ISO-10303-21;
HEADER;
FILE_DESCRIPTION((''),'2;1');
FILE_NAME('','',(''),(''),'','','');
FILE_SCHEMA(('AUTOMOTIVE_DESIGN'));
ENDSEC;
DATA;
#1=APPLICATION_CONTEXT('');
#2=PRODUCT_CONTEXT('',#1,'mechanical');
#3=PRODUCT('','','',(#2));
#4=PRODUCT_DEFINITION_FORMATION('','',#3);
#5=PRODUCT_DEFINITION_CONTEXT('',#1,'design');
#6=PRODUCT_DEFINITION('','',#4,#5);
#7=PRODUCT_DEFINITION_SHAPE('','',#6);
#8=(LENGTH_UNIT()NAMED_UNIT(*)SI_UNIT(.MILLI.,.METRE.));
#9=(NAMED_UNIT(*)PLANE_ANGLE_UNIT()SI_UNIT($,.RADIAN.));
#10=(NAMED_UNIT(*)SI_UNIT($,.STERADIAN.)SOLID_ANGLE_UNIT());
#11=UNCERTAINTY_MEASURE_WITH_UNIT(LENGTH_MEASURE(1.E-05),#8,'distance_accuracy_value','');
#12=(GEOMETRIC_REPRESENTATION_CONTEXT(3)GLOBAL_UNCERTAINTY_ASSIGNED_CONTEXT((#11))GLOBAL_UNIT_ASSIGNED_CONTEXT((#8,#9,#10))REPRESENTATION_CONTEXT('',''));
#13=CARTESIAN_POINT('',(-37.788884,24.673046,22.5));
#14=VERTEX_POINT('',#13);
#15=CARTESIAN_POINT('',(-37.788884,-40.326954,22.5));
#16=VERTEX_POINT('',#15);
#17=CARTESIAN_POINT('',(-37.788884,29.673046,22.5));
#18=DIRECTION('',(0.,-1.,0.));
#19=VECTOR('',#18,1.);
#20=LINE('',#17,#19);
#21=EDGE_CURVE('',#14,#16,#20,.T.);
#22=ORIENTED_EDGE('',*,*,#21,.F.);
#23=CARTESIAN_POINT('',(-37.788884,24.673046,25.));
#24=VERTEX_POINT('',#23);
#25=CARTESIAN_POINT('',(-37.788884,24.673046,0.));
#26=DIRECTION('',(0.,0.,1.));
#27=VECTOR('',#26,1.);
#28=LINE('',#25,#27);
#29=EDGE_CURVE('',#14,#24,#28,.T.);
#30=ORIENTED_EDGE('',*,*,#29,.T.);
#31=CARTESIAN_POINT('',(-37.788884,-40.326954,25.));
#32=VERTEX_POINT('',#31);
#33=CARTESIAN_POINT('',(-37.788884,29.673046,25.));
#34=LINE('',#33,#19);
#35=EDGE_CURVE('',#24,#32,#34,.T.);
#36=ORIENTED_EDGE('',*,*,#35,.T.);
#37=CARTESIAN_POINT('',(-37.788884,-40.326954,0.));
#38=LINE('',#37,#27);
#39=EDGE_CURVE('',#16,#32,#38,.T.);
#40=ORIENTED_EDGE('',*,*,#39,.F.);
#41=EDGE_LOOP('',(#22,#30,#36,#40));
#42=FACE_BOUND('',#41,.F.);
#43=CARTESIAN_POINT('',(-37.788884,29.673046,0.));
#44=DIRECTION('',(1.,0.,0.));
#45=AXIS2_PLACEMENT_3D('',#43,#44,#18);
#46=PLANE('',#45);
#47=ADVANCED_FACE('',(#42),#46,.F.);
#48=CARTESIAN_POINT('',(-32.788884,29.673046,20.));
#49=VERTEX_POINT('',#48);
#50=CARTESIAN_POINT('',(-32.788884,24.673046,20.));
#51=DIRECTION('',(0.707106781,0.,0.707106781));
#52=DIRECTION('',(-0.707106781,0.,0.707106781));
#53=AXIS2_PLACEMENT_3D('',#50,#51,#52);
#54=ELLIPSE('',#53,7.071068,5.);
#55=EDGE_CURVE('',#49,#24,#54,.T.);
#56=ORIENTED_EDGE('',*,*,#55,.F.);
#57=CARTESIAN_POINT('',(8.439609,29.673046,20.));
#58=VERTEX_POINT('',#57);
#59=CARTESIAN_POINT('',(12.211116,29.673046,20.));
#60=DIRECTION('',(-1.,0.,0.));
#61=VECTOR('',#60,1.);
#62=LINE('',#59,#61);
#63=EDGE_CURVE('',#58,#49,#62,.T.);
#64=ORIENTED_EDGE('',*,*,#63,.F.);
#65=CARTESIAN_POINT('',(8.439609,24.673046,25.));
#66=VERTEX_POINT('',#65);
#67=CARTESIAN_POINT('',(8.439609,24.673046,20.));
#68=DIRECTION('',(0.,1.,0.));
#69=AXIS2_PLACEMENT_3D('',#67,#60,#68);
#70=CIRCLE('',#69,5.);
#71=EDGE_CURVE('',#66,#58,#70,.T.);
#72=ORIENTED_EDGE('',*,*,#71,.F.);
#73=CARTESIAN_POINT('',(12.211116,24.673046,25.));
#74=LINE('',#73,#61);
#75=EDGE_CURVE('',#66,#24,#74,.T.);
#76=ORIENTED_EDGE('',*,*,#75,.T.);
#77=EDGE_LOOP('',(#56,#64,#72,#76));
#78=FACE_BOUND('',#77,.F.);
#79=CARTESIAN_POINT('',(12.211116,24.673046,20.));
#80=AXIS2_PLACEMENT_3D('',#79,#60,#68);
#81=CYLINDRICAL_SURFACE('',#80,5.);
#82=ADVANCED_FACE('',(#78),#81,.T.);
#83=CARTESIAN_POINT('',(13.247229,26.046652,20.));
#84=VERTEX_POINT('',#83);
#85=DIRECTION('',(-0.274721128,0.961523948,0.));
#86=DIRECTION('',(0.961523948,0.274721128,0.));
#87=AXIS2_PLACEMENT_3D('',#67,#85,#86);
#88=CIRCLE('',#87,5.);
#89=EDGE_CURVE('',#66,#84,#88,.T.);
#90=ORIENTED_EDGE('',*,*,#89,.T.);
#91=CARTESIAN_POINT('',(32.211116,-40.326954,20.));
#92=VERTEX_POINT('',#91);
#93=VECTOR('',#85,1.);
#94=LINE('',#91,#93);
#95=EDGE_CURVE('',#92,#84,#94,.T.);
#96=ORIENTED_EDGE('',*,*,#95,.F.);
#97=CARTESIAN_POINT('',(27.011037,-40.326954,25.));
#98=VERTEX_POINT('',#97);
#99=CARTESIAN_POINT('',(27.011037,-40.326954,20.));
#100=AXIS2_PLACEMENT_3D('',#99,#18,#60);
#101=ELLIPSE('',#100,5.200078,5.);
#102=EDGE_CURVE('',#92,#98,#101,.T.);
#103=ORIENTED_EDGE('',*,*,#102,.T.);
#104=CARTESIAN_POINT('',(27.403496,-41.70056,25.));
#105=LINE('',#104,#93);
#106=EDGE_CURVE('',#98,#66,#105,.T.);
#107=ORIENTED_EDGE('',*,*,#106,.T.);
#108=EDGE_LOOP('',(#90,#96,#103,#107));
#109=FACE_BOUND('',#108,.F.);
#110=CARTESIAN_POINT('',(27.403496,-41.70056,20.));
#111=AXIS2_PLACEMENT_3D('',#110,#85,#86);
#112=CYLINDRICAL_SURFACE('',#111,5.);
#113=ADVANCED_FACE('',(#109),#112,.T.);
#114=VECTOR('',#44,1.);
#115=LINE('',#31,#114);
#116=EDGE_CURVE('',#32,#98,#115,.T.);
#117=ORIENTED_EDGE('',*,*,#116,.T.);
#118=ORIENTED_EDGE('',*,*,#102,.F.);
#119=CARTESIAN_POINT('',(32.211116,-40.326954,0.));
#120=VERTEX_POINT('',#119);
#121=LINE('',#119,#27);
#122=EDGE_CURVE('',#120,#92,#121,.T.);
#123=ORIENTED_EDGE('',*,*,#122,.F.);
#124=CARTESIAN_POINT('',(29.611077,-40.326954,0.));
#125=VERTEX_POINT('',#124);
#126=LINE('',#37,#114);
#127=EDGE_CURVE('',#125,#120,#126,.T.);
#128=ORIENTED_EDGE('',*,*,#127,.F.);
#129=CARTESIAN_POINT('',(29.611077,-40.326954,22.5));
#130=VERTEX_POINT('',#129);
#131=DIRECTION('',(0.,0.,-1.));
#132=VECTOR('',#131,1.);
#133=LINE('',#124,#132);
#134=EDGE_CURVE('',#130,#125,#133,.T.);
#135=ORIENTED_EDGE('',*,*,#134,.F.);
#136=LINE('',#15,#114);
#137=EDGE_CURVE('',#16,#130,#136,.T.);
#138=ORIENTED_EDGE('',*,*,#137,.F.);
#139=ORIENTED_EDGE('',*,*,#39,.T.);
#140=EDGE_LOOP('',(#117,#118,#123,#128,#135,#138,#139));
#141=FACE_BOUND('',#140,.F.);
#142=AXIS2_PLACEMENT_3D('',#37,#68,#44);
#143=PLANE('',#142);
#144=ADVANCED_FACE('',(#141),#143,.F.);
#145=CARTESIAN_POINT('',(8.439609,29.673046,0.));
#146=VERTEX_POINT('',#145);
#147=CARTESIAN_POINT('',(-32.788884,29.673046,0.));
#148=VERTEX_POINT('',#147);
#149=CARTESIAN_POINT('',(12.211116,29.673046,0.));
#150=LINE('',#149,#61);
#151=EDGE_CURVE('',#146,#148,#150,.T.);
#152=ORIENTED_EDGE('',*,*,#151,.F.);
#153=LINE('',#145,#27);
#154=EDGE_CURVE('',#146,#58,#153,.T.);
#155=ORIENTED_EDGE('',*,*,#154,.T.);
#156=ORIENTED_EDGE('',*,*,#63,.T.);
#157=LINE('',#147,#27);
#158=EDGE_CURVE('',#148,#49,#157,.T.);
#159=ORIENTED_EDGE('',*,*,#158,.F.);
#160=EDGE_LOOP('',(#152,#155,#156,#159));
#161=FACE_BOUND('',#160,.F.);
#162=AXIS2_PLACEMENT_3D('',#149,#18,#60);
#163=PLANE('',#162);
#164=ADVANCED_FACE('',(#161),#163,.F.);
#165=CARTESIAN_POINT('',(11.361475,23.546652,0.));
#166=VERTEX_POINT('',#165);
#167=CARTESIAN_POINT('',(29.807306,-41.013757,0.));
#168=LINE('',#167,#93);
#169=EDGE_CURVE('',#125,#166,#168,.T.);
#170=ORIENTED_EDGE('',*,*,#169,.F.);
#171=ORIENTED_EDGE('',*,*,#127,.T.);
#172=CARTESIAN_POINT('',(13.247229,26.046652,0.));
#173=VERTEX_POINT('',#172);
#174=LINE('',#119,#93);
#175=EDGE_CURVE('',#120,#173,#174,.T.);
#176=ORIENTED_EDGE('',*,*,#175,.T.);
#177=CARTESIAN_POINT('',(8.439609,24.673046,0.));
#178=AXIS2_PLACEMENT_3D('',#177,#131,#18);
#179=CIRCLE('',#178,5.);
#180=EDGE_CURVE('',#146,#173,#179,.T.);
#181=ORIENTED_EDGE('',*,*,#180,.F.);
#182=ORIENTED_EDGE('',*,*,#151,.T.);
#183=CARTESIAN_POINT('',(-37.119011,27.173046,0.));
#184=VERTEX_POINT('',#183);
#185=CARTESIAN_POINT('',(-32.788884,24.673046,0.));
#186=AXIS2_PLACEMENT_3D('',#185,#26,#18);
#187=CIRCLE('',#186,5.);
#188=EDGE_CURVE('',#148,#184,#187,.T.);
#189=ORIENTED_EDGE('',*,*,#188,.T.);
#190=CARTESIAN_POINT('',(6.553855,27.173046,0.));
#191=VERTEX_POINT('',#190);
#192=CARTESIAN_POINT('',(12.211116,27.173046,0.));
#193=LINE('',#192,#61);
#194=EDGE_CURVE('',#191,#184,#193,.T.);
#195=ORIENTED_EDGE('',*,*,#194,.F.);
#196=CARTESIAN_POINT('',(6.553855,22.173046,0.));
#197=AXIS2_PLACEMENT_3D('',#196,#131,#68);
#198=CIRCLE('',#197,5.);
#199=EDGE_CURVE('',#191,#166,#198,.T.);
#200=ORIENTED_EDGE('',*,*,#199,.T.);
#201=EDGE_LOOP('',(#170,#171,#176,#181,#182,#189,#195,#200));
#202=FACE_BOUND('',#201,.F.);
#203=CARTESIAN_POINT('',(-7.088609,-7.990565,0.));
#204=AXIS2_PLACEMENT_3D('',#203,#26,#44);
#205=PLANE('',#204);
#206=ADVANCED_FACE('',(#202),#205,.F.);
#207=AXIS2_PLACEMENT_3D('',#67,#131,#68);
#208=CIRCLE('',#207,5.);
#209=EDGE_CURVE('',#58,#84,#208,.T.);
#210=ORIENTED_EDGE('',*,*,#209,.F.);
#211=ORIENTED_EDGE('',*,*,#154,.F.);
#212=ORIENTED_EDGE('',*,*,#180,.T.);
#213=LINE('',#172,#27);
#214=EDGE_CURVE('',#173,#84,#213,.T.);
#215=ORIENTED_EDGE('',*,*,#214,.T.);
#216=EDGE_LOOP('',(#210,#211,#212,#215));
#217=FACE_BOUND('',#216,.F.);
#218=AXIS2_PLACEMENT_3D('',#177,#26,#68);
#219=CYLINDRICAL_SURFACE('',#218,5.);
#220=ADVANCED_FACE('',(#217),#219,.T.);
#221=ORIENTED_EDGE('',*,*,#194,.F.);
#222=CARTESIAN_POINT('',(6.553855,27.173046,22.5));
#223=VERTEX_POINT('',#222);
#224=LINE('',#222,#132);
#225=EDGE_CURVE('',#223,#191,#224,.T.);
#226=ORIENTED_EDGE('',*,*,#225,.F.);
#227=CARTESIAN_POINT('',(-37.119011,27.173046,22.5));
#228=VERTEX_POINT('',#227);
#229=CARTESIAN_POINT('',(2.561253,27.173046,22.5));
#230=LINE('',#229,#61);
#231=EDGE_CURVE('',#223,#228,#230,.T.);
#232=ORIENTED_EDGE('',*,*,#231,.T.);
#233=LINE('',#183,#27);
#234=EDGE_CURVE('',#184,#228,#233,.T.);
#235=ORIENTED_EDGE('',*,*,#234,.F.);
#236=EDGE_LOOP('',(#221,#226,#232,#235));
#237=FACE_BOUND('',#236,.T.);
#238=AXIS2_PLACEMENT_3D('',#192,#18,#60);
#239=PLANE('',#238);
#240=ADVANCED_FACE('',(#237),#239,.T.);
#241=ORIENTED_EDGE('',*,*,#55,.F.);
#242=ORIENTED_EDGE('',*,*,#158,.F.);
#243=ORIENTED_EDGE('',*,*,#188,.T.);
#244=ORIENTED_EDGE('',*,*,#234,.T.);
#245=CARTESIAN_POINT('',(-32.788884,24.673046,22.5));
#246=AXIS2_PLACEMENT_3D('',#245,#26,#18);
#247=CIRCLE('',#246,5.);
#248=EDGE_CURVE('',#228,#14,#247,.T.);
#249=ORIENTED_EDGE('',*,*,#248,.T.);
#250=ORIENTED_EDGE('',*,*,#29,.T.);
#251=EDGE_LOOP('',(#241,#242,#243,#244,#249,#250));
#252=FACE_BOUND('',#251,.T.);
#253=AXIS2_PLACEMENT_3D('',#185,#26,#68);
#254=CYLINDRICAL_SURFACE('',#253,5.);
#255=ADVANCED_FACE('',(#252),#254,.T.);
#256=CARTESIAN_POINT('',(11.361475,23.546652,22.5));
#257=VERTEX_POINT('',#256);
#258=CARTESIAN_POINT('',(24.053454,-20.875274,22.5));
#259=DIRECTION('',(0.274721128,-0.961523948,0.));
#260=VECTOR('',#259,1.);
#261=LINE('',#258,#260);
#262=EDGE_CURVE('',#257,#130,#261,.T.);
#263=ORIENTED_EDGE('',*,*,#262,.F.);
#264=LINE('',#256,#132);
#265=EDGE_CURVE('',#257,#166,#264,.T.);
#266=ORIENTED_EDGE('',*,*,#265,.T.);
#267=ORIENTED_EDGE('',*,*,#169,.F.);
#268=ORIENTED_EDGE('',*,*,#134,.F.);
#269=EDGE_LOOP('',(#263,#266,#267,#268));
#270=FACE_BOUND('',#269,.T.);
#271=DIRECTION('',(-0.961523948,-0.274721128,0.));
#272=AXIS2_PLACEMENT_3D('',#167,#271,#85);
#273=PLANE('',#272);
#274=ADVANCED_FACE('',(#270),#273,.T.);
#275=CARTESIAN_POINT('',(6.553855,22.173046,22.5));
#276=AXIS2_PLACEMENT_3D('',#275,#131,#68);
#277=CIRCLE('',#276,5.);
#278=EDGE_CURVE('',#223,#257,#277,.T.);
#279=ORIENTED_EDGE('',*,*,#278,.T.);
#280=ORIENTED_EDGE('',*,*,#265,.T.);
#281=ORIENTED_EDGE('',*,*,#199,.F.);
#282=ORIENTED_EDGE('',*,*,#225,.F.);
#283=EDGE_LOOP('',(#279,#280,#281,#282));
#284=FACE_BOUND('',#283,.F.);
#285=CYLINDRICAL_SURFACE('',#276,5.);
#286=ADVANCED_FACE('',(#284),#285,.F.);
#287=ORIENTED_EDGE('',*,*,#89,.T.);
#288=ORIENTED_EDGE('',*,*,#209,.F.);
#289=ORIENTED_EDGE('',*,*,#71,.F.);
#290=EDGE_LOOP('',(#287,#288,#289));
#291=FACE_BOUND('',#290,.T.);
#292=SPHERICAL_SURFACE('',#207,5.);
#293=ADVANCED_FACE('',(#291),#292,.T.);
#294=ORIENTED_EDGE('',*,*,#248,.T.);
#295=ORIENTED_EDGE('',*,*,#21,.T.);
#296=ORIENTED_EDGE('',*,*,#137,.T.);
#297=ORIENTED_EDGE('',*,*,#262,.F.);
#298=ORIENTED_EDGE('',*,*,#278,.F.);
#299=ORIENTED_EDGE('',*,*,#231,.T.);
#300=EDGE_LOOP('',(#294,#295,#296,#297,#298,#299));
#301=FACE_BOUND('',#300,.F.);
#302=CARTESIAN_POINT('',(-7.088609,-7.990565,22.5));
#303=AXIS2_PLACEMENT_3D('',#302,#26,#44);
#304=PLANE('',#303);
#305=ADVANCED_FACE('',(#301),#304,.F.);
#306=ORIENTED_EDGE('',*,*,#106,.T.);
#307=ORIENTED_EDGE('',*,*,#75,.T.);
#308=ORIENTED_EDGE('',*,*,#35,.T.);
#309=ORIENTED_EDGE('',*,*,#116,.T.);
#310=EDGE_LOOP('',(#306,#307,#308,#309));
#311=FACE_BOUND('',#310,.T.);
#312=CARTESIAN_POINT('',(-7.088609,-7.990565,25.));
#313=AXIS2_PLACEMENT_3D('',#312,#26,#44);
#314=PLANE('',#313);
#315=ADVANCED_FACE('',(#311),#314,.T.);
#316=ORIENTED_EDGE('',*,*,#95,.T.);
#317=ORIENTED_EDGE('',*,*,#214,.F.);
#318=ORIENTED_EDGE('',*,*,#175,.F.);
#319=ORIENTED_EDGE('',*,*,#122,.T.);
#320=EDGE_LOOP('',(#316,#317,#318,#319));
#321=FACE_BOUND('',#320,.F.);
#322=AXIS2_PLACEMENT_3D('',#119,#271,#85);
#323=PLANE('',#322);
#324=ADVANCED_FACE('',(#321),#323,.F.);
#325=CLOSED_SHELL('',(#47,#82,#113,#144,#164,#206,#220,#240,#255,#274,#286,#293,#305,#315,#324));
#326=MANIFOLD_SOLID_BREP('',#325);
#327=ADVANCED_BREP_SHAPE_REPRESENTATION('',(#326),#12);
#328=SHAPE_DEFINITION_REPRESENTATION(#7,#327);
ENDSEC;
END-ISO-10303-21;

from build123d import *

# Parameters (mm, degrees)
F1_DEPTH = 25
F2_T     = -2.5
F3_R     = 5


with BuildPart() as f1:
    # F0 (on Top) → F1 (new body)
    with BuildSketch(Plane.XY):
        Polygon((12.2111159576, 29.6730460864), (-37.7888840424, 29.6730460864), (-37.7888840424, -40.3269539136), (32.2111159576, -40.3269539136), align=None)
    extrude(amount=F1_DEPTH)

    # F2
    f2_openings = [f1.faces().sort_by_distance(p)[0] for p in [
        (-37.788884, -5.326954, 12.5),
        (-7.511106, -7.271398, 0),
        (-2.788884, -40.326954, 12.5),
    ]]
    offset(amount=F2_T, openings=f2_openings)

    # F3
    f3_edges = [f1.edges().sort_by_distance(p)[0] for p in [
        (12.211116, 29.673046, 12.5),
        (10.325362, 27.173046, 11.25),
        (-12.788884, 29.673046, 25),
        (22.211116, -5.326954, 25),
        (-37.788884, 29.673046, 12.5),
    ]]
    fillet(f3_edges, radius=F3_R)


solid = f1.part
